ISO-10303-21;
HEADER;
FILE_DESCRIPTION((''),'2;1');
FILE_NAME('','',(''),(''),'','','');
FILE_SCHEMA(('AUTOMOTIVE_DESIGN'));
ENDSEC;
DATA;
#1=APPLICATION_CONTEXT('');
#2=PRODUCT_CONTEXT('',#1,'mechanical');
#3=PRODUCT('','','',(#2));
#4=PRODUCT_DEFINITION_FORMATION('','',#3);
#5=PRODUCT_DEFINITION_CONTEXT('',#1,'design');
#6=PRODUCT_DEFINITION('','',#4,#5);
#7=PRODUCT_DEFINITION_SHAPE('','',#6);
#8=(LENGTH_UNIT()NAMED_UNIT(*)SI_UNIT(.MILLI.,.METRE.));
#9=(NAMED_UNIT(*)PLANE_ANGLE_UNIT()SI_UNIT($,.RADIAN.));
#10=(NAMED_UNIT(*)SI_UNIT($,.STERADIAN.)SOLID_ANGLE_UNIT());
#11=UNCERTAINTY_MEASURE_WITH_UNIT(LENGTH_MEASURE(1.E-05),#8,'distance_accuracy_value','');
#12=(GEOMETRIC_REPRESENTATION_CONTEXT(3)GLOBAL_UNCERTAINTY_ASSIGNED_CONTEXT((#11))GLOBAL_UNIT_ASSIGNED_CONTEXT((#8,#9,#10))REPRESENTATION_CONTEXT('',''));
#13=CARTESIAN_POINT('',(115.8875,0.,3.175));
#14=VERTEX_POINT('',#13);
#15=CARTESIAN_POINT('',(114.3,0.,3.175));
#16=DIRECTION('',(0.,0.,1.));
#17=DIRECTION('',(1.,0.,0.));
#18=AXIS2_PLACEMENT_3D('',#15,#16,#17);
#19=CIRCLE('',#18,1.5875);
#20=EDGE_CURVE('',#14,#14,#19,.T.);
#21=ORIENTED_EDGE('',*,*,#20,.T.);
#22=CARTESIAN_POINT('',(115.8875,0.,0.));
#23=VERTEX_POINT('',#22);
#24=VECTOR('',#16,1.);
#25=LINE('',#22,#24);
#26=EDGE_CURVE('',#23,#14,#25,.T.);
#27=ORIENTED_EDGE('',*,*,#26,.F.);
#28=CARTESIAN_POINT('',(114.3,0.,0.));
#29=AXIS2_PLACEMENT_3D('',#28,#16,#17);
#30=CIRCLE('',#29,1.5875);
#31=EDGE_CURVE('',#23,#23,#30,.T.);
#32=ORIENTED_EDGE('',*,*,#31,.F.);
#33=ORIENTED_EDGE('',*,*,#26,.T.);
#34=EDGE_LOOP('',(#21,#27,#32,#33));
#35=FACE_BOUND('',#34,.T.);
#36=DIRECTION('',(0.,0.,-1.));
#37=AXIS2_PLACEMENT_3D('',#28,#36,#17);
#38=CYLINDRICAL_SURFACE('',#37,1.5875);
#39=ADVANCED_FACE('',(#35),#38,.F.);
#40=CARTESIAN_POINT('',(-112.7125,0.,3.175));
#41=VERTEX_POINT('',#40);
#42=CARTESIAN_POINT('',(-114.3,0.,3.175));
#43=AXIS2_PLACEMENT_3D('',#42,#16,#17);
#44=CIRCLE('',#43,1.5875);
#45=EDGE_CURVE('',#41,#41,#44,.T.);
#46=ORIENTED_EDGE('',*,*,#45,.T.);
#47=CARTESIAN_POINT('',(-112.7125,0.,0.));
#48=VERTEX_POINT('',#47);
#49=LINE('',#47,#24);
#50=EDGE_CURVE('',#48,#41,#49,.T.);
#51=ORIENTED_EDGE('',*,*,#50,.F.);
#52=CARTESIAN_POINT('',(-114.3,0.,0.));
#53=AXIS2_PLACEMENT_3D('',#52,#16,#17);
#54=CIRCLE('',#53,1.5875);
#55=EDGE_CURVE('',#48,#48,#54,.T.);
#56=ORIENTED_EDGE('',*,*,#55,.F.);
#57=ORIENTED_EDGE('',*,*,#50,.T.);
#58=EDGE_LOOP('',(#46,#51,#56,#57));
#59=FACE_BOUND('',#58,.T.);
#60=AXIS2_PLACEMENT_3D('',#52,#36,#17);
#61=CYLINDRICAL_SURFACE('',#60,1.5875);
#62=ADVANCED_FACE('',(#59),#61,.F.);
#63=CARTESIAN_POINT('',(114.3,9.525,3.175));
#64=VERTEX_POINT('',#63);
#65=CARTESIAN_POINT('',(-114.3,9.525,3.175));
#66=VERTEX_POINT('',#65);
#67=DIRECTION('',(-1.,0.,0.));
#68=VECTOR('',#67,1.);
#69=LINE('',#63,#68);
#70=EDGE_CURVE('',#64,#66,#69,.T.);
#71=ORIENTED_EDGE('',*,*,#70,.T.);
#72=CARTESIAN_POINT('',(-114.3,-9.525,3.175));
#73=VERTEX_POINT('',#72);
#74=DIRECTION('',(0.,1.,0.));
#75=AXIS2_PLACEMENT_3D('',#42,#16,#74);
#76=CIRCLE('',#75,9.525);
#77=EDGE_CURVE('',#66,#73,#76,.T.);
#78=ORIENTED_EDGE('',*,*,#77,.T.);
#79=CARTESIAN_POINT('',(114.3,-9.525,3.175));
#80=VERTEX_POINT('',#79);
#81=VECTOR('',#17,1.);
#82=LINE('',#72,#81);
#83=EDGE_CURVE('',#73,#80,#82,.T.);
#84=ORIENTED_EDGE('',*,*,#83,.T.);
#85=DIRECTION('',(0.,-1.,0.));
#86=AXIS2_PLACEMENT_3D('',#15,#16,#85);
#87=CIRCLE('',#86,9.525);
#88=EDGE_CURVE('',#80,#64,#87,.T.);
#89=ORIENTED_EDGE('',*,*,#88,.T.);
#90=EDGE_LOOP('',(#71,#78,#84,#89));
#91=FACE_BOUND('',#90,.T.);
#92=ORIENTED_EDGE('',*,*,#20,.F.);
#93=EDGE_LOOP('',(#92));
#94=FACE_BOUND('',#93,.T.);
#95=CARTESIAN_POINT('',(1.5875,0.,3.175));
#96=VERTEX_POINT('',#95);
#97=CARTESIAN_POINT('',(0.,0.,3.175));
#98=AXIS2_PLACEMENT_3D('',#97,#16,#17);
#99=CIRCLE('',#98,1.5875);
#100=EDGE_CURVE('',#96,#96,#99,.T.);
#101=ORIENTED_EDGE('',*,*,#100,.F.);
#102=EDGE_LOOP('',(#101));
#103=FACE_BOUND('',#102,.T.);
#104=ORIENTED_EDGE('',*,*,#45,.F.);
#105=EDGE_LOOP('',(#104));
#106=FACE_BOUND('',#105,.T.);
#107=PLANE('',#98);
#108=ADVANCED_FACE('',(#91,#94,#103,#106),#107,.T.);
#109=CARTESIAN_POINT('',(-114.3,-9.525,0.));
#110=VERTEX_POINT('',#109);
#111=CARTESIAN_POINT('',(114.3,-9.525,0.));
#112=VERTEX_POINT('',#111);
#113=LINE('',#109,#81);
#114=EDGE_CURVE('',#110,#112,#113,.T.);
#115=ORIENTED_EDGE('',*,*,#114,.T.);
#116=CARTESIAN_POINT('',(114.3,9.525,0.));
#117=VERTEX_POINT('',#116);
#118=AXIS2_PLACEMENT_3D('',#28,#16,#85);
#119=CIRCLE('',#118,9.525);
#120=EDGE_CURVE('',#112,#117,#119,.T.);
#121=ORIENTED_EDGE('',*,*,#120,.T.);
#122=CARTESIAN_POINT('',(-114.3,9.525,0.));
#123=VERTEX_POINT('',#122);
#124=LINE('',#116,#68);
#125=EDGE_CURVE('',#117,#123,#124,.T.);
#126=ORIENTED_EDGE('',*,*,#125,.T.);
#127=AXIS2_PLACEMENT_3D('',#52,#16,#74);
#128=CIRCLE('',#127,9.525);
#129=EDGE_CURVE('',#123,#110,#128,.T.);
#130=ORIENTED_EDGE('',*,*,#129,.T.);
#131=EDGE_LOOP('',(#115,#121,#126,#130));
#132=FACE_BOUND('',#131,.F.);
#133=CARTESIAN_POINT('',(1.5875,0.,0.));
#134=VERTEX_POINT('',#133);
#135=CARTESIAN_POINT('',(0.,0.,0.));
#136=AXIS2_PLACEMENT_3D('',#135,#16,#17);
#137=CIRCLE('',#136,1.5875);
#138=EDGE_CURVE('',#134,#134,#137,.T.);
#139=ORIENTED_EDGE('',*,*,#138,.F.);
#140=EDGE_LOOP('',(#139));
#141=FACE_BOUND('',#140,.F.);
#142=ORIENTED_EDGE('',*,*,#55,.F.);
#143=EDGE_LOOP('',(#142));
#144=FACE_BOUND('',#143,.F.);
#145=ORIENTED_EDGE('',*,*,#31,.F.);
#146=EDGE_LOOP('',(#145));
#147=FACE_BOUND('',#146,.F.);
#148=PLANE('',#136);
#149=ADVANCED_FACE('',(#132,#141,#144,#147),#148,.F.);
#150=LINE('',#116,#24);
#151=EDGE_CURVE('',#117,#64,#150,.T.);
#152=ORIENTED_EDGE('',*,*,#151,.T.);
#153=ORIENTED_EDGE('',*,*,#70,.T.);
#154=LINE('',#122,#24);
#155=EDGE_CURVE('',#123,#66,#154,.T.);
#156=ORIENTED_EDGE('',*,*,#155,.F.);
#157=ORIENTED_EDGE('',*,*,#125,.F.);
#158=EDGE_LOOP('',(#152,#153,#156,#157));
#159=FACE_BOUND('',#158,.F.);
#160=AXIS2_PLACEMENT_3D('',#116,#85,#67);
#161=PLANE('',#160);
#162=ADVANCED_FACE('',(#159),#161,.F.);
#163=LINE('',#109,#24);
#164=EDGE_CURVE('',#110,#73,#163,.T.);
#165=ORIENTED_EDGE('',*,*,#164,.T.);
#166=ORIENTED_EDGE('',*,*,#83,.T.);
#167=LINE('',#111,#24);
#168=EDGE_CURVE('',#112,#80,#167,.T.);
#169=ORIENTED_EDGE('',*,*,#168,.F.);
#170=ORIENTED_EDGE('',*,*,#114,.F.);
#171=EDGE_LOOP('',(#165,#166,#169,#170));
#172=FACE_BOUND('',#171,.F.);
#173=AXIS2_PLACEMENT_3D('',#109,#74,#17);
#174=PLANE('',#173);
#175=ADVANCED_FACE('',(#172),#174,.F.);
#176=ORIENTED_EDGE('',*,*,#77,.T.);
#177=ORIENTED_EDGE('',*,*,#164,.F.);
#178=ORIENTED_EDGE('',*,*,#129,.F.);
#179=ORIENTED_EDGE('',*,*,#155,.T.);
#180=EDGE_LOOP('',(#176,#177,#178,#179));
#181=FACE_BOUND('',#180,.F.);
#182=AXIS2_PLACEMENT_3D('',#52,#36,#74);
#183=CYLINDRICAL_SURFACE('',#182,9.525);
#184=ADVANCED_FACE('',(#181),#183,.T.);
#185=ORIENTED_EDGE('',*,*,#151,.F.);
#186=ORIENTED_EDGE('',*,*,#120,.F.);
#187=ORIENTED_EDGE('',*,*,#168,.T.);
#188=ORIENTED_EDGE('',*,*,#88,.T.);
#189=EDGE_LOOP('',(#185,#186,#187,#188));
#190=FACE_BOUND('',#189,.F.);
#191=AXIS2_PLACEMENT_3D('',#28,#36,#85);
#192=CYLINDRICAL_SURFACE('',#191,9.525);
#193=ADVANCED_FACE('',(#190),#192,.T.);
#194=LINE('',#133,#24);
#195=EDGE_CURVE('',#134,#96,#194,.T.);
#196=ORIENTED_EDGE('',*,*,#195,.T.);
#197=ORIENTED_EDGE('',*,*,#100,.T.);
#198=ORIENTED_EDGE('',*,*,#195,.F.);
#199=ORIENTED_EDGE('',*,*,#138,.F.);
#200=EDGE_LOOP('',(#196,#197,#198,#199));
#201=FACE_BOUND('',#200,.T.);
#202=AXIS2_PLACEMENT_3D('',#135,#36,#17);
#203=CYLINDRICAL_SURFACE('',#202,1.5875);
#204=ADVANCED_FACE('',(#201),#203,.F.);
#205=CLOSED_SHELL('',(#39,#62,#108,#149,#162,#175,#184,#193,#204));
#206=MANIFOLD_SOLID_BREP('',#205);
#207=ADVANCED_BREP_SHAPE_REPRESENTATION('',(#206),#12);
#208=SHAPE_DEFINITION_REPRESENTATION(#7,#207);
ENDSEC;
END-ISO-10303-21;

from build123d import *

# Parameters (mm, degrees)
F0_R     = 1.5875
F1_DEPTH = 3.175


with BuildPart() as f1:
    # F0 (on Top) → F1 (new body)
    with BuildSketch(Plane.XY):
        with BuildLine():
            ThreePointArc((114.3, -9.525), (123.825, 0), (114.3, 9.525))
            Line((114.3, 9.525), (-114.3, 9.525))
            ThreePointArc((-114.3, 9.525), (-123.825, 0), (-114.3, -9.525))
            Line((-114.3, -9.525), (114.3, -9.525))
        make_face()
        with Locations((-114.3, 0)):
            Circle(F0_R, mode=Mode.SUBTRACT)
        Circle(F0_R, mode=Mode.SUBTRACT)
        with Locations((114.3, 0)):
            Circle(F0_R, mode=Mode.SUBTRACT)
    extrude(amount=F1_DEPTH)


solid = f1.part
